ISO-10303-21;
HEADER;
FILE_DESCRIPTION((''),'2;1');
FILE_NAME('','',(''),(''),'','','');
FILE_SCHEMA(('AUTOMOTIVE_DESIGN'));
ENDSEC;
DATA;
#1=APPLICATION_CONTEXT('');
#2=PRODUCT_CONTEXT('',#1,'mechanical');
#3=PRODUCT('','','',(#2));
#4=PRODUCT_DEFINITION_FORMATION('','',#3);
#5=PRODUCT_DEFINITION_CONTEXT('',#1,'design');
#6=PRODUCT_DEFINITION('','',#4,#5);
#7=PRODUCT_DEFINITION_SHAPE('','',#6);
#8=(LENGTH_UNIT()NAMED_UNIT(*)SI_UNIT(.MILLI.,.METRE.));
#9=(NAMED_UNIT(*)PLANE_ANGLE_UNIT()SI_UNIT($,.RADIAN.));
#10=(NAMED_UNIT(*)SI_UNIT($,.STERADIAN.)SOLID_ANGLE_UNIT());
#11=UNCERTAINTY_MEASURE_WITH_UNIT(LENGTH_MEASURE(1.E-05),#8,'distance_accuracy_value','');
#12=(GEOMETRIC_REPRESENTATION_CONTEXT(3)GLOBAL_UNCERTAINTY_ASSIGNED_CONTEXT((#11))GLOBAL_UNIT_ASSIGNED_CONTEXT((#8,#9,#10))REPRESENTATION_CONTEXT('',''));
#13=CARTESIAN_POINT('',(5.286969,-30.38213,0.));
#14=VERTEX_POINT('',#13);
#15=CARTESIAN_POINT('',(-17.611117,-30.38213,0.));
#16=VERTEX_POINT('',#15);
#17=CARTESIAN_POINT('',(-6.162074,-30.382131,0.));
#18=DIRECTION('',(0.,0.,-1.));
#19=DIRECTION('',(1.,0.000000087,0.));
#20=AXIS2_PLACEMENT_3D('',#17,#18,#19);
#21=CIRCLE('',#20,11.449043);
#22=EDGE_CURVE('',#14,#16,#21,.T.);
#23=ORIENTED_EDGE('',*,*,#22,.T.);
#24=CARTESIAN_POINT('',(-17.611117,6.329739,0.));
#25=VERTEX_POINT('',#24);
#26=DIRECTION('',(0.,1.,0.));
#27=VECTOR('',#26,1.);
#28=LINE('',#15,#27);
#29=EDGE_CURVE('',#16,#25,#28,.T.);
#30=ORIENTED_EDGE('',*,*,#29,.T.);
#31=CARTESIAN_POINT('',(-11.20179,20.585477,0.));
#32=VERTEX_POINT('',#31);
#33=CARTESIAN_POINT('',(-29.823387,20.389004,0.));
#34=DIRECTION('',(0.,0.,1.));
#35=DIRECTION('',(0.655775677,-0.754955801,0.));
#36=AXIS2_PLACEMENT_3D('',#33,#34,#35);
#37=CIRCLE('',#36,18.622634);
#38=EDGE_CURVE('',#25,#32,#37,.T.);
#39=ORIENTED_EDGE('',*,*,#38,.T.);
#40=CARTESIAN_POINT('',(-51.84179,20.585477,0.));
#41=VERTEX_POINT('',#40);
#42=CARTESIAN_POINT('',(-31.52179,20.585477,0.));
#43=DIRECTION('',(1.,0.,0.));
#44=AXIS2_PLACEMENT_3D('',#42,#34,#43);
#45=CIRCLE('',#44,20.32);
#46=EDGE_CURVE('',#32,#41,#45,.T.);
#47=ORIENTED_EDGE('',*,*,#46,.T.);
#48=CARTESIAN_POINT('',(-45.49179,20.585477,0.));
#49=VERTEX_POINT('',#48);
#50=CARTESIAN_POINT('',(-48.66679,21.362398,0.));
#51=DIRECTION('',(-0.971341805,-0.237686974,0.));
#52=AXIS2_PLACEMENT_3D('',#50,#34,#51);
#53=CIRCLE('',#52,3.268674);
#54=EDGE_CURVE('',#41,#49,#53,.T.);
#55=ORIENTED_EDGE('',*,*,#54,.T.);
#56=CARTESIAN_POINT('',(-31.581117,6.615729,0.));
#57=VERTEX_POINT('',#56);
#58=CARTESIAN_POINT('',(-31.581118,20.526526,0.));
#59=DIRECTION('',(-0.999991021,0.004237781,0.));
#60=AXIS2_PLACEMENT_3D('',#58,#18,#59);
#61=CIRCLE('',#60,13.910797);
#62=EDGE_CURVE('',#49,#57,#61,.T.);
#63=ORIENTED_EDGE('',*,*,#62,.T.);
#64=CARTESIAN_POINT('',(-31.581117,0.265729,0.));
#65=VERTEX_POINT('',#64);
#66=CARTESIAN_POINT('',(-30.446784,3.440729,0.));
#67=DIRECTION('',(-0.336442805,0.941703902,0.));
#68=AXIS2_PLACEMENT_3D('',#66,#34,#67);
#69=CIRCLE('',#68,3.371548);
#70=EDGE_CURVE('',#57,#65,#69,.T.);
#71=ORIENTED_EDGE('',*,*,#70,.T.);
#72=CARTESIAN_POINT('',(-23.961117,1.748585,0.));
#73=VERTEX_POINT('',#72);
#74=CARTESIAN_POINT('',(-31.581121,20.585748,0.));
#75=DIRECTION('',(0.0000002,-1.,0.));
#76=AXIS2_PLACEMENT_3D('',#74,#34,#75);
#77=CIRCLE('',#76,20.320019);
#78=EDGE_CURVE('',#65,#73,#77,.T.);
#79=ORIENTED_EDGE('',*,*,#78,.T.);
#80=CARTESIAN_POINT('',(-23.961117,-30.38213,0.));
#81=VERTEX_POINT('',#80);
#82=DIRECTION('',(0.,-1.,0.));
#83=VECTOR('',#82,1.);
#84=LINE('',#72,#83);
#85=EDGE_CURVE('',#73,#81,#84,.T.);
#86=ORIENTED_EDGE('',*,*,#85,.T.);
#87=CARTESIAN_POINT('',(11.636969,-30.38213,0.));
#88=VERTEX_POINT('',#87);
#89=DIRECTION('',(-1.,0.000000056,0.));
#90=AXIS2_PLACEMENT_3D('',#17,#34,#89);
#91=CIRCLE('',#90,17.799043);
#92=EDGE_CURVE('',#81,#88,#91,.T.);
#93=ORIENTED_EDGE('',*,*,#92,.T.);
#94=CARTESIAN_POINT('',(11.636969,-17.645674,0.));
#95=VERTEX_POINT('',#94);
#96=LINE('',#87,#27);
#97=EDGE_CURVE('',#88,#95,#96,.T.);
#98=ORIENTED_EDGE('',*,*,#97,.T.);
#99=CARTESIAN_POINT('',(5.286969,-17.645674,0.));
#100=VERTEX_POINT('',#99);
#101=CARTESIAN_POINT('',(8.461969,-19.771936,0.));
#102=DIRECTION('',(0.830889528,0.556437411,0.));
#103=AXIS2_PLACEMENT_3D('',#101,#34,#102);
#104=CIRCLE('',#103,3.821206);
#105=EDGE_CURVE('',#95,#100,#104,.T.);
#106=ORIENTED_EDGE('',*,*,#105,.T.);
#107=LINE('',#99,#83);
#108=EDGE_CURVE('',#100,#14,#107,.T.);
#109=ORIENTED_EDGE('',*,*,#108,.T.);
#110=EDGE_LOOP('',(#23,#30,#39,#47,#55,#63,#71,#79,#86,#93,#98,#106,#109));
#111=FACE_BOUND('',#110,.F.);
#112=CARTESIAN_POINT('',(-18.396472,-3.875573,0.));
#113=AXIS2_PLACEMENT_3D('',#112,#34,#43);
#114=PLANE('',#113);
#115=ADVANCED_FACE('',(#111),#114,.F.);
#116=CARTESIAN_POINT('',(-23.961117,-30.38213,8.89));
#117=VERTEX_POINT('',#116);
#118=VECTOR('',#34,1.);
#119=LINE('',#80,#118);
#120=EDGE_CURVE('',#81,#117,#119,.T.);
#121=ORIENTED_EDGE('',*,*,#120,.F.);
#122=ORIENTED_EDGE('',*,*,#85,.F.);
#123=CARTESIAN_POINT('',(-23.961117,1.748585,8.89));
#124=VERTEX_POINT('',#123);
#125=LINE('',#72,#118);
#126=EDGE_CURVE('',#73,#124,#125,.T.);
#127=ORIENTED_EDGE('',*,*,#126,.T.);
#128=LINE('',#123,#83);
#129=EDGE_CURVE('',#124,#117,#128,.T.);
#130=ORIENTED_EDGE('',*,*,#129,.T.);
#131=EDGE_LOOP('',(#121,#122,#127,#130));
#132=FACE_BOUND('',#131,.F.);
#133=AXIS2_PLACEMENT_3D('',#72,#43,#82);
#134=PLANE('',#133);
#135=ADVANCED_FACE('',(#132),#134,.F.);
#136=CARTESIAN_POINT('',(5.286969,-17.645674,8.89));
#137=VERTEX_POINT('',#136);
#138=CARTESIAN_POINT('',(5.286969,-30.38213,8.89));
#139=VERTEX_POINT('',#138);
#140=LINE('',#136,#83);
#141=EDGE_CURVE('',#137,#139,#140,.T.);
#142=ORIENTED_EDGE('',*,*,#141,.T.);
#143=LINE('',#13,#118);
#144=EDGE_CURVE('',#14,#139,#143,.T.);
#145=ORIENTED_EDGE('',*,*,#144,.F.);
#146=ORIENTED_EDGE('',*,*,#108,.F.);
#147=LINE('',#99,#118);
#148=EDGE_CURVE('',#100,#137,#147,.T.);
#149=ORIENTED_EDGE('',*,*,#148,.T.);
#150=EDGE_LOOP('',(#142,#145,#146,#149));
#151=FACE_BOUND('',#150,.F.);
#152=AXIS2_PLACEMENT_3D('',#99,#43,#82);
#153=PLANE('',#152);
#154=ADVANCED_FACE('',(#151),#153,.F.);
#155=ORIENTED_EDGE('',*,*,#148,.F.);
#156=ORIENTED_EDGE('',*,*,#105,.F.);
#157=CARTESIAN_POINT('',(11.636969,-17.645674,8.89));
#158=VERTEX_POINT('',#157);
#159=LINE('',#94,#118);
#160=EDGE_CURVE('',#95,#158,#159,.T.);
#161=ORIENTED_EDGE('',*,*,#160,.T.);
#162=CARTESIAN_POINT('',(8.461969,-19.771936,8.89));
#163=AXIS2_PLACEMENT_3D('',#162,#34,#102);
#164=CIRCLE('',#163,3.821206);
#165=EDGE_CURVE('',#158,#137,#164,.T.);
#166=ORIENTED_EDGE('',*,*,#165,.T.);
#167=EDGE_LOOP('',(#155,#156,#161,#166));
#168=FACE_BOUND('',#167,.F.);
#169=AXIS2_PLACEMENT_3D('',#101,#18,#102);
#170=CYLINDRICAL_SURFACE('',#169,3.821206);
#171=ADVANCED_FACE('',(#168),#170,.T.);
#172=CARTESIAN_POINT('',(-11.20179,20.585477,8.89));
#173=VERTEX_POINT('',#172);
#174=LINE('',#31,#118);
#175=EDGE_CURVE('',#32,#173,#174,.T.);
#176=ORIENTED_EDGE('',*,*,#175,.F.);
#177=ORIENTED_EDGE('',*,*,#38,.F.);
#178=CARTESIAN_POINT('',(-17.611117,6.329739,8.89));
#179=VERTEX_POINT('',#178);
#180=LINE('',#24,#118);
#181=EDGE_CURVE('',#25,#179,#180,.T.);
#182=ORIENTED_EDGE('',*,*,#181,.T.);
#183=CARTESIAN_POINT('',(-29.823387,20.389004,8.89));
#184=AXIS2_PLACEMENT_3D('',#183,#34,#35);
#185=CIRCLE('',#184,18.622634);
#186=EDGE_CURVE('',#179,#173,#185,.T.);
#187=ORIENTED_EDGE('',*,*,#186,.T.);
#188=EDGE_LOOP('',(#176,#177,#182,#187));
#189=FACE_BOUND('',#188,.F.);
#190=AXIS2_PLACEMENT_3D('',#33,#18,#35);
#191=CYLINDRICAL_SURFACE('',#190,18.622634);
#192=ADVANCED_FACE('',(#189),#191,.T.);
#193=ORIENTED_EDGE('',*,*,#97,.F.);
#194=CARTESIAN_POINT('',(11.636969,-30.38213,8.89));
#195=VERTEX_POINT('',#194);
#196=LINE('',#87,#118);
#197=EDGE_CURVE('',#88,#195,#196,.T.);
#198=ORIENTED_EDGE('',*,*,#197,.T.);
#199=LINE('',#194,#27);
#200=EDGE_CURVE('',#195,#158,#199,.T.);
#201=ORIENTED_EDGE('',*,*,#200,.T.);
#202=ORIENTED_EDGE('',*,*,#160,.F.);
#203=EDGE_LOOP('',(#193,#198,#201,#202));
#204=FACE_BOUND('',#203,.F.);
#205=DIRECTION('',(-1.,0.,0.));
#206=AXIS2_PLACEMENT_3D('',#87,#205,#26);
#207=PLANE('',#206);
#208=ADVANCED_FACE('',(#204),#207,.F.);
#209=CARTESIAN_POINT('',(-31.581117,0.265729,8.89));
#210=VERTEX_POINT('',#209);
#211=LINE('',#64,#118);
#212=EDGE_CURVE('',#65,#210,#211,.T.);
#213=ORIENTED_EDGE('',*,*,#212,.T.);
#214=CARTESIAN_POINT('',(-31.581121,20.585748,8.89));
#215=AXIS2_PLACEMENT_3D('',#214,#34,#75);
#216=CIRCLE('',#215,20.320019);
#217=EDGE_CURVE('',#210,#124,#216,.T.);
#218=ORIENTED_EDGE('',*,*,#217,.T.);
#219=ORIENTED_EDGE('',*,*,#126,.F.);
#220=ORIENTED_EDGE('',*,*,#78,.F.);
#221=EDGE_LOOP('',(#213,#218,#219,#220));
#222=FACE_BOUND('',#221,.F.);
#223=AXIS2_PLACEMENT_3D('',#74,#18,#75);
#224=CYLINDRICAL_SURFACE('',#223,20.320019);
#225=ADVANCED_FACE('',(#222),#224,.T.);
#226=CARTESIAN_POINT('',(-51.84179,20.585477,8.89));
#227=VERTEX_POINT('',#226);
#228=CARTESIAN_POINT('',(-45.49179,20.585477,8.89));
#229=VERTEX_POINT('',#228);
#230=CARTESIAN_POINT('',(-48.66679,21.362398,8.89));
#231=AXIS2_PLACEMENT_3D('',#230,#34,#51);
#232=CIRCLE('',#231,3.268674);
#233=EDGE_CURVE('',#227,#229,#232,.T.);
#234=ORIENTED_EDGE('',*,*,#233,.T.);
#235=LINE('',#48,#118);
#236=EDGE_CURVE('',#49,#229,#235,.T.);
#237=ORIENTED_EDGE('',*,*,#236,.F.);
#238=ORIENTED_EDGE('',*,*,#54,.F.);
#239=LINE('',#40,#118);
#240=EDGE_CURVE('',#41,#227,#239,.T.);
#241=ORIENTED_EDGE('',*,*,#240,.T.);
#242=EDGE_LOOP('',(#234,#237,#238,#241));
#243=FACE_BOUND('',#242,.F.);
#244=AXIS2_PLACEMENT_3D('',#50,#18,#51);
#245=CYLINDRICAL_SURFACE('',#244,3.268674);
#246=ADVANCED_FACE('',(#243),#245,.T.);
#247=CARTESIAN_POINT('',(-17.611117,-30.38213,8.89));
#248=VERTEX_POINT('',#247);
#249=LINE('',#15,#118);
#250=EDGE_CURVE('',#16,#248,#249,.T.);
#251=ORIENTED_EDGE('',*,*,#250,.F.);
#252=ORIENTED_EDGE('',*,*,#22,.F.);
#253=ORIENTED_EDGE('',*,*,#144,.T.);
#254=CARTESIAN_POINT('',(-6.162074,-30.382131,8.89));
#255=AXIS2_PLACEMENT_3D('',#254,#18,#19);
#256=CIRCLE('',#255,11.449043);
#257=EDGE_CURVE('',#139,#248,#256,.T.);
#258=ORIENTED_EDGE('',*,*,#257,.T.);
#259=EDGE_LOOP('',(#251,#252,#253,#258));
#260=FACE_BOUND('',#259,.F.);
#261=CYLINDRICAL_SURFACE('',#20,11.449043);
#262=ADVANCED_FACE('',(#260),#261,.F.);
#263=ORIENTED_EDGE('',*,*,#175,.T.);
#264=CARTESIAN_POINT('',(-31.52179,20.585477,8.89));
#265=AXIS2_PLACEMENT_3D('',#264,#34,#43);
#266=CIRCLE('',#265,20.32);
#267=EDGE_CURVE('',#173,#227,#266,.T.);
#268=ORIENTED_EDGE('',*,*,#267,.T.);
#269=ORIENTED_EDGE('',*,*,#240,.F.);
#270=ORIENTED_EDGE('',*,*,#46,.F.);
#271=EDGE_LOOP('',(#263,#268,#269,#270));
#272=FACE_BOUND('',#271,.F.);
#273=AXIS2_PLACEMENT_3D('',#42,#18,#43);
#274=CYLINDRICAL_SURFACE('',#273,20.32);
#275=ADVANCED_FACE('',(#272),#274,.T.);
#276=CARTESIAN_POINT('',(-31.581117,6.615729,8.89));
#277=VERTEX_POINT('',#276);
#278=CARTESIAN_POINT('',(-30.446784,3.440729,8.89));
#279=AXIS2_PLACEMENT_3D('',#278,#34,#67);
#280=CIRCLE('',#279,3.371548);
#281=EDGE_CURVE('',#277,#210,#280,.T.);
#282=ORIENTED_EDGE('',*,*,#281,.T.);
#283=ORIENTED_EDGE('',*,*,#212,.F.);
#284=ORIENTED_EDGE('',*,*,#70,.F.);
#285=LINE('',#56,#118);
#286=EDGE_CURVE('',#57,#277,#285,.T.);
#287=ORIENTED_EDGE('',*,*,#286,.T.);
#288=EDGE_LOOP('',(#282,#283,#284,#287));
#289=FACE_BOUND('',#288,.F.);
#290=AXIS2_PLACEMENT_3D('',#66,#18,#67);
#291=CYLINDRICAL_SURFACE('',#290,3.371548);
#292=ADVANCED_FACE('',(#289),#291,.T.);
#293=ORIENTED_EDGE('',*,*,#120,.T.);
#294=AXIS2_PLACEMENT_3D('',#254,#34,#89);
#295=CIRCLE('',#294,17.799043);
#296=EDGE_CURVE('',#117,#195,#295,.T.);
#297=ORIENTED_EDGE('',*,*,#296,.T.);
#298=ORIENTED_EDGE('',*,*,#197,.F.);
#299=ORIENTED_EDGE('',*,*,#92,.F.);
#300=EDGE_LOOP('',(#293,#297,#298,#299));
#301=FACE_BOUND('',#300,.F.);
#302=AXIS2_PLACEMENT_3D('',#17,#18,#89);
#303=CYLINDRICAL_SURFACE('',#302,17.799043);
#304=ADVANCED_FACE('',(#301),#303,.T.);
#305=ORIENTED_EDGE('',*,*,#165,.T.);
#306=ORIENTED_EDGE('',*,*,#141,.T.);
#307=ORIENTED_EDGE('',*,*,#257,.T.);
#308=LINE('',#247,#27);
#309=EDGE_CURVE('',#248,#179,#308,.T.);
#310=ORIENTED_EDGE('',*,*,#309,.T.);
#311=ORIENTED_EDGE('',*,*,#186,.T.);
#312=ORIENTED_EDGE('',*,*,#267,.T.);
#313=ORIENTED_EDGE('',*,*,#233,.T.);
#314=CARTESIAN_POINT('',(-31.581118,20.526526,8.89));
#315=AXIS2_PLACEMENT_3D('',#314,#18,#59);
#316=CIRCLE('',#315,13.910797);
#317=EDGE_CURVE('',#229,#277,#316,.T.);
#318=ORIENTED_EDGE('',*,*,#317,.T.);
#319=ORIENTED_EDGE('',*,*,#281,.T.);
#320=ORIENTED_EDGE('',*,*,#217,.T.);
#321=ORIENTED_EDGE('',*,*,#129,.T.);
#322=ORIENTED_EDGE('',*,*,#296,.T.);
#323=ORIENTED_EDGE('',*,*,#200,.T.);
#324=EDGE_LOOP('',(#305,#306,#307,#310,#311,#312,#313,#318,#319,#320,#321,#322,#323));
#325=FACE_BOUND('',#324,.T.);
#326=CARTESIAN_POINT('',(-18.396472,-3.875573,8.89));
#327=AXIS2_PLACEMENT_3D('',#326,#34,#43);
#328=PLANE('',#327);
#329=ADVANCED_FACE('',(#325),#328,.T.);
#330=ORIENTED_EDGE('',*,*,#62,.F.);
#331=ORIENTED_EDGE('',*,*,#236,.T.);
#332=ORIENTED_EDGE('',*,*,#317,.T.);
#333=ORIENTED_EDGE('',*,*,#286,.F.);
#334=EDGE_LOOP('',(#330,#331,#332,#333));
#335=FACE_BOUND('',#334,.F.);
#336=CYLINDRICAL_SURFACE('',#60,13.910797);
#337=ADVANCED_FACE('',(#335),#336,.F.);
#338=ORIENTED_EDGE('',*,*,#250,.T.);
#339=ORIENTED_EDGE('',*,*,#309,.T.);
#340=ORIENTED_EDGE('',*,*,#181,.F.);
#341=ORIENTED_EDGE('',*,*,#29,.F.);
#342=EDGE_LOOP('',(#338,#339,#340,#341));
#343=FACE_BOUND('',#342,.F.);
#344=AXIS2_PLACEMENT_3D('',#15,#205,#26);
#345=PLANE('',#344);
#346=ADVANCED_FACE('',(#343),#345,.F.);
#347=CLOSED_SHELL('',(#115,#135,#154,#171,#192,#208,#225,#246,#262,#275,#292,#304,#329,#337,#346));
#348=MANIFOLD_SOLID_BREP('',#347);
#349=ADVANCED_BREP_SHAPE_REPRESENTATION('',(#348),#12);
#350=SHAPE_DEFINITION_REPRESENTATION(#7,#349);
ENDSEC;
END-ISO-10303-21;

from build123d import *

# Parameters (mm, degrees)
F1_DEPTH = 8.89


with BuildPart() as f1:
    # F0 (on Top) → F1 (new body)
    with BuildSketch(Plane.XY):
        with BuildLine():
            ThreePointArc((-31.581117, 0.265729), (-27.699647, 0.639888), (-23.961117, 1.748585))
            Line((-23.961117, 1.748585), (-23.961117, -30.38213))
            ThreePointArc((-23.961117, -30.38213), (-6.162074, -48.181174), (11.636969, -30.38213))
            Line((11.636969, -30.38213), (11.636969, -17.645674))
            ThreePointArc((11.636969, -17.645674), (8.461969, -15.95073), (5.286969, -17.645674))
            Line((5.286969, -17.645674), (5.286969, -30.38213))
            ThreePointArc((5.286969, -30.38213), (-6.162074, -41.831174), (-17.611117, -30.38213))
            Line((-17.611117, -30.38213), (-17.611117, 6.329739))
            ThreePointArc((-17.611117, 6.329739), (-12.838442, 12.752636), (-11.20179, 20.585477))
            ThreePointArc((-11.20179, 20.585477), (-31.52179, 40.905477), (-51.84179, 20.585477))
            ThreePointArc((-51.84179, 20.585477), (-48.66679, 18.093724), (-45.49179, 20.585477))
            ThreePointArc((-45.49179, 20.585477), (-21.723878, 30.34208), (-31.581117, 6.615729))
            ThreePointArc((-31.581117, 6.615729), (-33.818332, 3.440729), (-31.581117, 0.265729))
        make_face()
    extrude(amount=F1_DEPTH)


solid = f1.part
